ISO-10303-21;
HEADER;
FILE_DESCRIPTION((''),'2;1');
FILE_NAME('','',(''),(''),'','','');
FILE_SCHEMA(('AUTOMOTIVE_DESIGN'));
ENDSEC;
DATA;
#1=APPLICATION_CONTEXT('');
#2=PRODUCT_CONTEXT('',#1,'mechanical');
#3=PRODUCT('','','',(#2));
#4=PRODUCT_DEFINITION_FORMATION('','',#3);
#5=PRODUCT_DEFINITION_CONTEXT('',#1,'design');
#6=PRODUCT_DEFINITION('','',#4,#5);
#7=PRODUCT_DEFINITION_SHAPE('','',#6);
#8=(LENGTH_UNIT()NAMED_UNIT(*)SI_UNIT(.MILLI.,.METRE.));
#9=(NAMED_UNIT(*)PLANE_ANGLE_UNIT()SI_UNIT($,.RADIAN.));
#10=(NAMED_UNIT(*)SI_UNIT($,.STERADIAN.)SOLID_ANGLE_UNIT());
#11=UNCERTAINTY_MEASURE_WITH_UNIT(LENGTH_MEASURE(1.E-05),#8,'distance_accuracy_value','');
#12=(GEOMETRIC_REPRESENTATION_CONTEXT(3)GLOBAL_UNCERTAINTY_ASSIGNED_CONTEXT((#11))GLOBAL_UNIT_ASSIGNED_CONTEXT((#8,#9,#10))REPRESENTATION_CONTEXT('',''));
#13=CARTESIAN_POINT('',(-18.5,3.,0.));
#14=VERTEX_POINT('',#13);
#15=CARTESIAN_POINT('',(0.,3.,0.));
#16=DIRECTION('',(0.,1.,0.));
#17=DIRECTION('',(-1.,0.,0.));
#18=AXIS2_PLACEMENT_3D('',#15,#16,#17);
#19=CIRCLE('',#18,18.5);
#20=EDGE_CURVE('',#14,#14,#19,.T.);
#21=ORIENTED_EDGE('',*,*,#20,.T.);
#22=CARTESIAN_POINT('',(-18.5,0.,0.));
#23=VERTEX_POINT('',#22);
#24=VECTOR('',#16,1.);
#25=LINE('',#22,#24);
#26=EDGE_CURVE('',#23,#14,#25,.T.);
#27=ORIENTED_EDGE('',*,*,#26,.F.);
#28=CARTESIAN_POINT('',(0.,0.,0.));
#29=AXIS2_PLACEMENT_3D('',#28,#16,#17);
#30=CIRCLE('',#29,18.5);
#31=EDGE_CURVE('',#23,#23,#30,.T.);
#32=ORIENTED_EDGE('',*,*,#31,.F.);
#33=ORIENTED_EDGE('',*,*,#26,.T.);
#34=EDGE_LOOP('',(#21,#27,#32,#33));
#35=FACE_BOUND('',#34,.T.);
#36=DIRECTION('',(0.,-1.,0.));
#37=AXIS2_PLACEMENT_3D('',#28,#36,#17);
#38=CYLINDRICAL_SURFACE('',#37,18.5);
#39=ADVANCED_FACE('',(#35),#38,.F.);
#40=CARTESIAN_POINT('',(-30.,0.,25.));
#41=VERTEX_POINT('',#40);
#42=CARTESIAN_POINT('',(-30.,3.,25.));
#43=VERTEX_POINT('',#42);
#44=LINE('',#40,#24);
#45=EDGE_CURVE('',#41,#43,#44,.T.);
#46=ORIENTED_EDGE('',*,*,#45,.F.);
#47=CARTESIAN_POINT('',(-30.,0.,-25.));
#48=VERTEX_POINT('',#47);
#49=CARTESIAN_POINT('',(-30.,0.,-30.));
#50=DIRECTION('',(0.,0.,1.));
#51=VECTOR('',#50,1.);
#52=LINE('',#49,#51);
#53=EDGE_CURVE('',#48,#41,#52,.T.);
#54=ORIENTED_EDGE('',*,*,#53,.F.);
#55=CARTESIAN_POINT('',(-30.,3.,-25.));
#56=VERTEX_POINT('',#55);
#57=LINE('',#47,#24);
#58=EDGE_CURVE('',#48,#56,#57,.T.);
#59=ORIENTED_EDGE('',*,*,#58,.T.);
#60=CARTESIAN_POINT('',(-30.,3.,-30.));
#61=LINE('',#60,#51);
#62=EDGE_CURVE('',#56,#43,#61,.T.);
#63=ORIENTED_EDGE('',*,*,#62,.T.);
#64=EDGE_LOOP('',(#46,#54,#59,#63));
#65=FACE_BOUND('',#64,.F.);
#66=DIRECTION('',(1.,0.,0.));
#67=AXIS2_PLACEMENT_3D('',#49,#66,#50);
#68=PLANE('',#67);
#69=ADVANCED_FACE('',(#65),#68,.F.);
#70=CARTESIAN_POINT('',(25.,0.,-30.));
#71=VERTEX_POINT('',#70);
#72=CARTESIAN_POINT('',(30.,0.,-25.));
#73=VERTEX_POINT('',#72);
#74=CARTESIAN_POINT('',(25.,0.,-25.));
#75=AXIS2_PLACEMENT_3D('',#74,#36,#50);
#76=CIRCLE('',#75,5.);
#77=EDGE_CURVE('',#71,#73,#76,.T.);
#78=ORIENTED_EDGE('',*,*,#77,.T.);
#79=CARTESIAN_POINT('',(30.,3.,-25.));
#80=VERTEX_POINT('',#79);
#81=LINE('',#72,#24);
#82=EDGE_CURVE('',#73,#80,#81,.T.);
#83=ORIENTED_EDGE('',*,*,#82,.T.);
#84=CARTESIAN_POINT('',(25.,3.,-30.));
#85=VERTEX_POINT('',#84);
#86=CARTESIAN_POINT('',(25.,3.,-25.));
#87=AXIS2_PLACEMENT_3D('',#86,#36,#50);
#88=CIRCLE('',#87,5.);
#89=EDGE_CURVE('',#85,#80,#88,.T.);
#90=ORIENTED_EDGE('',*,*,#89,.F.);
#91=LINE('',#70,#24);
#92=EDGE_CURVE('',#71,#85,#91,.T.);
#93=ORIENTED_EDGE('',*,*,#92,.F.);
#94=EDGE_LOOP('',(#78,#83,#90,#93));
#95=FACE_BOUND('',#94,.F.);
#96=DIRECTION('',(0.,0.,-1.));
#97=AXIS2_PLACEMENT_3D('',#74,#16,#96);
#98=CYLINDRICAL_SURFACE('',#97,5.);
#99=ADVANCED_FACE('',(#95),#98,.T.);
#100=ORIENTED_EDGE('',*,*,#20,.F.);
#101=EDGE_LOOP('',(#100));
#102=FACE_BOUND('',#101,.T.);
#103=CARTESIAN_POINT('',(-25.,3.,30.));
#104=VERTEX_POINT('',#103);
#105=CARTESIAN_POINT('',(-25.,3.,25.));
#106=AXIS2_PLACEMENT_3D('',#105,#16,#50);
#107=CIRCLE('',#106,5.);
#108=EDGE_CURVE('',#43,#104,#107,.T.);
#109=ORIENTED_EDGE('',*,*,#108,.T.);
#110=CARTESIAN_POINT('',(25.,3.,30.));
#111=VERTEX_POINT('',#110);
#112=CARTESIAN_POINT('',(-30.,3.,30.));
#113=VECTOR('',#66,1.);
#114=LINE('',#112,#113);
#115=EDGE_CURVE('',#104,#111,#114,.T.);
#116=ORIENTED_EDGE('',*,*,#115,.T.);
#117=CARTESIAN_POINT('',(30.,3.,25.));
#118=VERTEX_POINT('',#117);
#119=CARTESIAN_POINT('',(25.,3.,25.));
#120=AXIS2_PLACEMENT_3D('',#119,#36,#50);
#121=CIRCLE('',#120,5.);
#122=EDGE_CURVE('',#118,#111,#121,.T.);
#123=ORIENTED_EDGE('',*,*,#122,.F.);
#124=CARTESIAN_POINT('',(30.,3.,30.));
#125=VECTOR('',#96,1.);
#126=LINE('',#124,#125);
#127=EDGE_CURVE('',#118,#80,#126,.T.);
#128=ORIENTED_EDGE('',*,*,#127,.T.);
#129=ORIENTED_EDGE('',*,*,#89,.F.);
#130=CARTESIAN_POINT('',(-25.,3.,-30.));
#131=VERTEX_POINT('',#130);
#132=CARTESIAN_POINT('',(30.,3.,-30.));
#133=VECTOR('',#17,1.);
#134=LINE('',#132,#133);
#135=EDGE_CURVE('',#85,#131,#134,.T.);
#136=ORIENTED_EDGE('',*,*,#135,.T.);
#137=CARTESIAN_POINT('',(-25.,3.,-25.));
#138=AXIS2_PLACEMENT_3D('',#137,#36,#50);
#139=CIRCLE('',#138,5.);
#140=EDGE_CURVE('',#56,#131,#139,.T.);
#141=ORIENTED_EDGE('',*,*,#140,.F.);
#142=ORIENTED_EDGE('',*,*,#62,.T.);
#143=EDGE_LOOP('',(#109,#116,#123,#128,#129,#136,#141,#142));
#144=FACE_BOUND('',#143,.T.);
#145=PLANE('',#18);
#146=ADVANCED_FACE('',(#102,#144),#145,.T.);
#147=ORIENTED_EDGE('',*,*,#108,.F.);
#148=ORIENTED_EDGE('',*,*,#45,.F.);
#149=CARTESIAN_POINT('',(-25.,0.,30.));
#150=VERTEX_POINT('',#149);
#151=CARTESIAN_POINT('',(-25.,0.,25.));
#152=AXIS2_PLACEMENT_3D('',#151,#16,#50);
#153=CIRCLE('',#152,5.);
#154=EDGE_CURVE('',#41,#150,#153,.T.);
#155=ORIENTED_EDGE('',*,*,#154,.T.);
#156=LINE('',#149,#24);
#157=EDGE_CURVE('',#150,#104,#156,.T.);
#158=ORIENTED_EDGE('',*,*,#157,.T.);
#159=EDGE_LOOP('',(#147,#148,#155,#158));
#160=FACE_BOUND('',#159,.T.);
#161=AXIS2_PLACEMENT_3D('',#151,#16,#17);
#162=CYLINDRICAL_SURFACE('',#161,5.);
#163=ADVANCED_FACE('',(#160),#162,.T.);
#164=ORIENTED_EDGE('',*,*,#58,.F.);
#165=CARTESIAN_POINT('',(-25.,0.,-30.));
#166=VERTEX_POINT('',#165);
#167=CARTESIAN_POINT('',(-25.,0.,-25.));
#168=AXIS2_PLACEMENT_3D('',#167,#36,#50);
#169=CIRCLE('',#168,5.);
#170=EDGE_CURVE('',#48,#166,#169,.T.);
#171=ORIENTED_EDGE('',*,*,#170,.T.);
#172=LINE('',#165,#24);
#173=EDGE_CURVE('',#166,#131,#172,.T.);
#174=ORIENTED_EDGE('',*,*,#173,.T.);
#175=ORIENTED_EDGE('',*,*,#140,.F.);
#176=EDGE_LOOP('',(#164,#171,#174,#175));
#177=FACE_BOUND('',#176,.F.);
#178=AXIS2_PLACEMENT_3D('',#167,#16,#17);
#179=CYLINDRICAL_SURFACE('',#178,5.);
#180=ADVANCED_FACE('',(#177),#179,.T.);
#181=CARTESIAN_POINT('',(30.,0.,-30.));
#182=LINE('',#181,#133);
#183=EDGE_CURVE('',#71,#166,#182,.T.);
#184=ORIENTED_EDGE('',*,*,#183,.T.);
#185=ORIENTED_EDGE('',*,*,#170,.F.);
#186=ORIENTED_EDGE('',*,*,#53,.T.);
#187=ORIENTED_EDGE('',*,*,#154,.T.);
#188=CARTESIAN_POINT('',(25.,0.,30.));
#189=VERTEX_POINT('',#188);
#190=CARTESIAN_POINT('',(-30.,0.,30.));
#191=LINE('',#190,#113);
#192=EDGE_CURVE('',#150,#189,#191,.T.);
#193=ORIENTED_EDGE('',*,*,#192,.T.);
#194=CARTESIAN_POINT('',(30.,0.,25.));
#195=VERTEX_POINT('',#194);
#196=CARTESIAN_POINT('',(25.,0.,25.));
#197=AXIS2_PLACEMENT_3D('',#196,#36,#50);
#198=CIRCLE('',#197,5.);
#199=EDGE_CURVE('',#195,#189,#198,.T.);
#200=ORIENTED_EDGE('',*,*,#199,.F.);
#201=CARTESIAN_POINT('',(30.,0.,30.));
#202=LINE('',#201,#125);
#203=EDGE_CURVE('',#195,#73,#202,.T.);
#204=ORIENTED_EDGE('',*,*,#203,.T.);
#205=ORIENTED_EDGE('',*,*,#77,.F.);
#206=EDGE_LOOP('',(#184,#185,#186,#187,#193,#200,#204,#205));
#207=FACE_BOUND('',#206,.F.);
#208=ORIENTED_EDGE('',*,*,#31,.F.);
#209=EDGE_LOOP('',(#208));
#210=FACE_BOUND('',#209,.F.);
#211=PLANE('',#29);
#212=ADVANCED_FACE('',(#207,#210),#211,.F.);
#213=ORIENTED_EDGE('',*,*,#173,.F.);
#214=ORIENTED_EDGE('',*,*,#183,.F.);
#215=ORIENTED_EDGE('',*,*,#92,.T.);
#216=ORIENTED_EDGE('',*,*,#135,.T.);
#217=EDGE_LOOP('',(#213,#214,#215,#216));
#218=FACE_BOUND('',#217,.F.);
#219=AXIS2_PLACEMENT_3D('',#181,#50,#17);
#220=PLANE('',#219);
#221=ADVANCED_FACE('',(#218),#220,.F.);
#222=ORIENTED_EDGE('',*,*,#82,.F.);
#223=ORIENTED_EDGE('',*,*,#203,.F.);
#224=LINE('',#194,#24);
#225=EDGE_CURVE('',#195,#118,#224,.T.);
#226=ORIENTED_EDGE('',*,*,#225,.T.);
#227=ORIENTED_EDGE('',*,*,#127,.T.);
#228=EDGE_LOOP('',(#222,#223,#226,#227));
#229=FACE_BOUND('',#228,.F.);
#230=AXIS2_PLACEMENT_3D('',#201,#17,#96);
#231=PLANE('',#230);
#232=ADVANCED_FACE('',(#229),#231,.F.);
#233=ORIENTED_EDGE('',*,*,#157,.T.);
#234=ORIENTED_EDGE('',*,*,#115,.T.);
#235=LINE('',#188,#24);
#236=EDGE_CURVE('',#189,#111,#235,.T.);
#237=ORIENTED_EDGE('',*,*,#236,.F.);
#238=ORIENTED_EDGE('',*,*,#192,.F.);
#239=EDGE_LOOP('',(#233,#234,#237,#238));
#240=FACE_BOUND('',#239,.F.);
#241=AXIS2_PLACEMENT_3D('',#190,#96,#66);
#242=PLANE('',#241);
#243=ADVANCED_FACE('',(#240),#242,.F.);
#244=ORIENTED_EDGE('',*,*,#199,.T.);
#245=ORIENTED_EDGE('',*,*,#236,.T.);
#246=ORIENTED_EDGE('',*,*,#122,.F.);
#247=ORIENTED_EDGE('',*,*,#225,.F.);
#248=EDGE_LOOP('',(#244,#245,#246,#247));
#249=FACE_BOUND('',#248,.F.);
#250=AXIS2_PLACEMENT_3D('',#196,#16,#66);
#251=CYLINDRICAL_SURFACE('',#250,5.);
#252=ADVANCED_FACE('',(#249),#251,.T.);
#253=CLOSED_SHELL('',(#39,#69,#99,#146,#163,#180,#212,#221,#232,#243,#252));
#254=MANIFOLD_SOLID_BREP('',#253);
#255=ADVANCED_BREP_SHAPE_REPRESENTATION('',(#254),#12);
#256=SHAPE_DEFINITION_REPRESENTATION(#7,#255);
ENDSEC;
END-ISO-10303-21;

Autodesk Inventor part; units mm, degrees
ref_plane "YZ Plane" through (0, 0, 0) normal (1, 0, 0) x (0, 1, 0)
ref_plane "XZ Plane" through (0, 0, 0) normal (0, 1, 0) x (-1, 0, 0)
ref_plane "XY Plane" through (0, 0, 0) normal (0, 0, 1) x (1, 0, 0)
sketch "Sketch1" plane through (0, 0, 0) normal (0, 1, 0) x (-1, 0, 0)
  circle A0 centre (0, 0) radius 18.5
  line L0 (30, 30) -> (-30, 30)
  line L1 (-30, 30) -> (-30, -30)
  line L2 (-30, -30) -> (30, -30)
  line L3 (30, -30) -> (30, 30)
  line L4 (30, 30) -> (-30, -30) construction
  line L5 (-30, 30) -> (30, -30) construction
  dimension "d0" = 37
  dimension "d1" = 60
  dimension "d2" = 60
extrude "Extrusion1" add sketch "Sketch1" along normal blind 3
fillet "Fillet1" radius 5 4 edges at (30, 1.5, 30) (30, 1.5, -30) (-30, 1.5, -30) (-30, 1.5, 30)
properties part number "rimsa"
